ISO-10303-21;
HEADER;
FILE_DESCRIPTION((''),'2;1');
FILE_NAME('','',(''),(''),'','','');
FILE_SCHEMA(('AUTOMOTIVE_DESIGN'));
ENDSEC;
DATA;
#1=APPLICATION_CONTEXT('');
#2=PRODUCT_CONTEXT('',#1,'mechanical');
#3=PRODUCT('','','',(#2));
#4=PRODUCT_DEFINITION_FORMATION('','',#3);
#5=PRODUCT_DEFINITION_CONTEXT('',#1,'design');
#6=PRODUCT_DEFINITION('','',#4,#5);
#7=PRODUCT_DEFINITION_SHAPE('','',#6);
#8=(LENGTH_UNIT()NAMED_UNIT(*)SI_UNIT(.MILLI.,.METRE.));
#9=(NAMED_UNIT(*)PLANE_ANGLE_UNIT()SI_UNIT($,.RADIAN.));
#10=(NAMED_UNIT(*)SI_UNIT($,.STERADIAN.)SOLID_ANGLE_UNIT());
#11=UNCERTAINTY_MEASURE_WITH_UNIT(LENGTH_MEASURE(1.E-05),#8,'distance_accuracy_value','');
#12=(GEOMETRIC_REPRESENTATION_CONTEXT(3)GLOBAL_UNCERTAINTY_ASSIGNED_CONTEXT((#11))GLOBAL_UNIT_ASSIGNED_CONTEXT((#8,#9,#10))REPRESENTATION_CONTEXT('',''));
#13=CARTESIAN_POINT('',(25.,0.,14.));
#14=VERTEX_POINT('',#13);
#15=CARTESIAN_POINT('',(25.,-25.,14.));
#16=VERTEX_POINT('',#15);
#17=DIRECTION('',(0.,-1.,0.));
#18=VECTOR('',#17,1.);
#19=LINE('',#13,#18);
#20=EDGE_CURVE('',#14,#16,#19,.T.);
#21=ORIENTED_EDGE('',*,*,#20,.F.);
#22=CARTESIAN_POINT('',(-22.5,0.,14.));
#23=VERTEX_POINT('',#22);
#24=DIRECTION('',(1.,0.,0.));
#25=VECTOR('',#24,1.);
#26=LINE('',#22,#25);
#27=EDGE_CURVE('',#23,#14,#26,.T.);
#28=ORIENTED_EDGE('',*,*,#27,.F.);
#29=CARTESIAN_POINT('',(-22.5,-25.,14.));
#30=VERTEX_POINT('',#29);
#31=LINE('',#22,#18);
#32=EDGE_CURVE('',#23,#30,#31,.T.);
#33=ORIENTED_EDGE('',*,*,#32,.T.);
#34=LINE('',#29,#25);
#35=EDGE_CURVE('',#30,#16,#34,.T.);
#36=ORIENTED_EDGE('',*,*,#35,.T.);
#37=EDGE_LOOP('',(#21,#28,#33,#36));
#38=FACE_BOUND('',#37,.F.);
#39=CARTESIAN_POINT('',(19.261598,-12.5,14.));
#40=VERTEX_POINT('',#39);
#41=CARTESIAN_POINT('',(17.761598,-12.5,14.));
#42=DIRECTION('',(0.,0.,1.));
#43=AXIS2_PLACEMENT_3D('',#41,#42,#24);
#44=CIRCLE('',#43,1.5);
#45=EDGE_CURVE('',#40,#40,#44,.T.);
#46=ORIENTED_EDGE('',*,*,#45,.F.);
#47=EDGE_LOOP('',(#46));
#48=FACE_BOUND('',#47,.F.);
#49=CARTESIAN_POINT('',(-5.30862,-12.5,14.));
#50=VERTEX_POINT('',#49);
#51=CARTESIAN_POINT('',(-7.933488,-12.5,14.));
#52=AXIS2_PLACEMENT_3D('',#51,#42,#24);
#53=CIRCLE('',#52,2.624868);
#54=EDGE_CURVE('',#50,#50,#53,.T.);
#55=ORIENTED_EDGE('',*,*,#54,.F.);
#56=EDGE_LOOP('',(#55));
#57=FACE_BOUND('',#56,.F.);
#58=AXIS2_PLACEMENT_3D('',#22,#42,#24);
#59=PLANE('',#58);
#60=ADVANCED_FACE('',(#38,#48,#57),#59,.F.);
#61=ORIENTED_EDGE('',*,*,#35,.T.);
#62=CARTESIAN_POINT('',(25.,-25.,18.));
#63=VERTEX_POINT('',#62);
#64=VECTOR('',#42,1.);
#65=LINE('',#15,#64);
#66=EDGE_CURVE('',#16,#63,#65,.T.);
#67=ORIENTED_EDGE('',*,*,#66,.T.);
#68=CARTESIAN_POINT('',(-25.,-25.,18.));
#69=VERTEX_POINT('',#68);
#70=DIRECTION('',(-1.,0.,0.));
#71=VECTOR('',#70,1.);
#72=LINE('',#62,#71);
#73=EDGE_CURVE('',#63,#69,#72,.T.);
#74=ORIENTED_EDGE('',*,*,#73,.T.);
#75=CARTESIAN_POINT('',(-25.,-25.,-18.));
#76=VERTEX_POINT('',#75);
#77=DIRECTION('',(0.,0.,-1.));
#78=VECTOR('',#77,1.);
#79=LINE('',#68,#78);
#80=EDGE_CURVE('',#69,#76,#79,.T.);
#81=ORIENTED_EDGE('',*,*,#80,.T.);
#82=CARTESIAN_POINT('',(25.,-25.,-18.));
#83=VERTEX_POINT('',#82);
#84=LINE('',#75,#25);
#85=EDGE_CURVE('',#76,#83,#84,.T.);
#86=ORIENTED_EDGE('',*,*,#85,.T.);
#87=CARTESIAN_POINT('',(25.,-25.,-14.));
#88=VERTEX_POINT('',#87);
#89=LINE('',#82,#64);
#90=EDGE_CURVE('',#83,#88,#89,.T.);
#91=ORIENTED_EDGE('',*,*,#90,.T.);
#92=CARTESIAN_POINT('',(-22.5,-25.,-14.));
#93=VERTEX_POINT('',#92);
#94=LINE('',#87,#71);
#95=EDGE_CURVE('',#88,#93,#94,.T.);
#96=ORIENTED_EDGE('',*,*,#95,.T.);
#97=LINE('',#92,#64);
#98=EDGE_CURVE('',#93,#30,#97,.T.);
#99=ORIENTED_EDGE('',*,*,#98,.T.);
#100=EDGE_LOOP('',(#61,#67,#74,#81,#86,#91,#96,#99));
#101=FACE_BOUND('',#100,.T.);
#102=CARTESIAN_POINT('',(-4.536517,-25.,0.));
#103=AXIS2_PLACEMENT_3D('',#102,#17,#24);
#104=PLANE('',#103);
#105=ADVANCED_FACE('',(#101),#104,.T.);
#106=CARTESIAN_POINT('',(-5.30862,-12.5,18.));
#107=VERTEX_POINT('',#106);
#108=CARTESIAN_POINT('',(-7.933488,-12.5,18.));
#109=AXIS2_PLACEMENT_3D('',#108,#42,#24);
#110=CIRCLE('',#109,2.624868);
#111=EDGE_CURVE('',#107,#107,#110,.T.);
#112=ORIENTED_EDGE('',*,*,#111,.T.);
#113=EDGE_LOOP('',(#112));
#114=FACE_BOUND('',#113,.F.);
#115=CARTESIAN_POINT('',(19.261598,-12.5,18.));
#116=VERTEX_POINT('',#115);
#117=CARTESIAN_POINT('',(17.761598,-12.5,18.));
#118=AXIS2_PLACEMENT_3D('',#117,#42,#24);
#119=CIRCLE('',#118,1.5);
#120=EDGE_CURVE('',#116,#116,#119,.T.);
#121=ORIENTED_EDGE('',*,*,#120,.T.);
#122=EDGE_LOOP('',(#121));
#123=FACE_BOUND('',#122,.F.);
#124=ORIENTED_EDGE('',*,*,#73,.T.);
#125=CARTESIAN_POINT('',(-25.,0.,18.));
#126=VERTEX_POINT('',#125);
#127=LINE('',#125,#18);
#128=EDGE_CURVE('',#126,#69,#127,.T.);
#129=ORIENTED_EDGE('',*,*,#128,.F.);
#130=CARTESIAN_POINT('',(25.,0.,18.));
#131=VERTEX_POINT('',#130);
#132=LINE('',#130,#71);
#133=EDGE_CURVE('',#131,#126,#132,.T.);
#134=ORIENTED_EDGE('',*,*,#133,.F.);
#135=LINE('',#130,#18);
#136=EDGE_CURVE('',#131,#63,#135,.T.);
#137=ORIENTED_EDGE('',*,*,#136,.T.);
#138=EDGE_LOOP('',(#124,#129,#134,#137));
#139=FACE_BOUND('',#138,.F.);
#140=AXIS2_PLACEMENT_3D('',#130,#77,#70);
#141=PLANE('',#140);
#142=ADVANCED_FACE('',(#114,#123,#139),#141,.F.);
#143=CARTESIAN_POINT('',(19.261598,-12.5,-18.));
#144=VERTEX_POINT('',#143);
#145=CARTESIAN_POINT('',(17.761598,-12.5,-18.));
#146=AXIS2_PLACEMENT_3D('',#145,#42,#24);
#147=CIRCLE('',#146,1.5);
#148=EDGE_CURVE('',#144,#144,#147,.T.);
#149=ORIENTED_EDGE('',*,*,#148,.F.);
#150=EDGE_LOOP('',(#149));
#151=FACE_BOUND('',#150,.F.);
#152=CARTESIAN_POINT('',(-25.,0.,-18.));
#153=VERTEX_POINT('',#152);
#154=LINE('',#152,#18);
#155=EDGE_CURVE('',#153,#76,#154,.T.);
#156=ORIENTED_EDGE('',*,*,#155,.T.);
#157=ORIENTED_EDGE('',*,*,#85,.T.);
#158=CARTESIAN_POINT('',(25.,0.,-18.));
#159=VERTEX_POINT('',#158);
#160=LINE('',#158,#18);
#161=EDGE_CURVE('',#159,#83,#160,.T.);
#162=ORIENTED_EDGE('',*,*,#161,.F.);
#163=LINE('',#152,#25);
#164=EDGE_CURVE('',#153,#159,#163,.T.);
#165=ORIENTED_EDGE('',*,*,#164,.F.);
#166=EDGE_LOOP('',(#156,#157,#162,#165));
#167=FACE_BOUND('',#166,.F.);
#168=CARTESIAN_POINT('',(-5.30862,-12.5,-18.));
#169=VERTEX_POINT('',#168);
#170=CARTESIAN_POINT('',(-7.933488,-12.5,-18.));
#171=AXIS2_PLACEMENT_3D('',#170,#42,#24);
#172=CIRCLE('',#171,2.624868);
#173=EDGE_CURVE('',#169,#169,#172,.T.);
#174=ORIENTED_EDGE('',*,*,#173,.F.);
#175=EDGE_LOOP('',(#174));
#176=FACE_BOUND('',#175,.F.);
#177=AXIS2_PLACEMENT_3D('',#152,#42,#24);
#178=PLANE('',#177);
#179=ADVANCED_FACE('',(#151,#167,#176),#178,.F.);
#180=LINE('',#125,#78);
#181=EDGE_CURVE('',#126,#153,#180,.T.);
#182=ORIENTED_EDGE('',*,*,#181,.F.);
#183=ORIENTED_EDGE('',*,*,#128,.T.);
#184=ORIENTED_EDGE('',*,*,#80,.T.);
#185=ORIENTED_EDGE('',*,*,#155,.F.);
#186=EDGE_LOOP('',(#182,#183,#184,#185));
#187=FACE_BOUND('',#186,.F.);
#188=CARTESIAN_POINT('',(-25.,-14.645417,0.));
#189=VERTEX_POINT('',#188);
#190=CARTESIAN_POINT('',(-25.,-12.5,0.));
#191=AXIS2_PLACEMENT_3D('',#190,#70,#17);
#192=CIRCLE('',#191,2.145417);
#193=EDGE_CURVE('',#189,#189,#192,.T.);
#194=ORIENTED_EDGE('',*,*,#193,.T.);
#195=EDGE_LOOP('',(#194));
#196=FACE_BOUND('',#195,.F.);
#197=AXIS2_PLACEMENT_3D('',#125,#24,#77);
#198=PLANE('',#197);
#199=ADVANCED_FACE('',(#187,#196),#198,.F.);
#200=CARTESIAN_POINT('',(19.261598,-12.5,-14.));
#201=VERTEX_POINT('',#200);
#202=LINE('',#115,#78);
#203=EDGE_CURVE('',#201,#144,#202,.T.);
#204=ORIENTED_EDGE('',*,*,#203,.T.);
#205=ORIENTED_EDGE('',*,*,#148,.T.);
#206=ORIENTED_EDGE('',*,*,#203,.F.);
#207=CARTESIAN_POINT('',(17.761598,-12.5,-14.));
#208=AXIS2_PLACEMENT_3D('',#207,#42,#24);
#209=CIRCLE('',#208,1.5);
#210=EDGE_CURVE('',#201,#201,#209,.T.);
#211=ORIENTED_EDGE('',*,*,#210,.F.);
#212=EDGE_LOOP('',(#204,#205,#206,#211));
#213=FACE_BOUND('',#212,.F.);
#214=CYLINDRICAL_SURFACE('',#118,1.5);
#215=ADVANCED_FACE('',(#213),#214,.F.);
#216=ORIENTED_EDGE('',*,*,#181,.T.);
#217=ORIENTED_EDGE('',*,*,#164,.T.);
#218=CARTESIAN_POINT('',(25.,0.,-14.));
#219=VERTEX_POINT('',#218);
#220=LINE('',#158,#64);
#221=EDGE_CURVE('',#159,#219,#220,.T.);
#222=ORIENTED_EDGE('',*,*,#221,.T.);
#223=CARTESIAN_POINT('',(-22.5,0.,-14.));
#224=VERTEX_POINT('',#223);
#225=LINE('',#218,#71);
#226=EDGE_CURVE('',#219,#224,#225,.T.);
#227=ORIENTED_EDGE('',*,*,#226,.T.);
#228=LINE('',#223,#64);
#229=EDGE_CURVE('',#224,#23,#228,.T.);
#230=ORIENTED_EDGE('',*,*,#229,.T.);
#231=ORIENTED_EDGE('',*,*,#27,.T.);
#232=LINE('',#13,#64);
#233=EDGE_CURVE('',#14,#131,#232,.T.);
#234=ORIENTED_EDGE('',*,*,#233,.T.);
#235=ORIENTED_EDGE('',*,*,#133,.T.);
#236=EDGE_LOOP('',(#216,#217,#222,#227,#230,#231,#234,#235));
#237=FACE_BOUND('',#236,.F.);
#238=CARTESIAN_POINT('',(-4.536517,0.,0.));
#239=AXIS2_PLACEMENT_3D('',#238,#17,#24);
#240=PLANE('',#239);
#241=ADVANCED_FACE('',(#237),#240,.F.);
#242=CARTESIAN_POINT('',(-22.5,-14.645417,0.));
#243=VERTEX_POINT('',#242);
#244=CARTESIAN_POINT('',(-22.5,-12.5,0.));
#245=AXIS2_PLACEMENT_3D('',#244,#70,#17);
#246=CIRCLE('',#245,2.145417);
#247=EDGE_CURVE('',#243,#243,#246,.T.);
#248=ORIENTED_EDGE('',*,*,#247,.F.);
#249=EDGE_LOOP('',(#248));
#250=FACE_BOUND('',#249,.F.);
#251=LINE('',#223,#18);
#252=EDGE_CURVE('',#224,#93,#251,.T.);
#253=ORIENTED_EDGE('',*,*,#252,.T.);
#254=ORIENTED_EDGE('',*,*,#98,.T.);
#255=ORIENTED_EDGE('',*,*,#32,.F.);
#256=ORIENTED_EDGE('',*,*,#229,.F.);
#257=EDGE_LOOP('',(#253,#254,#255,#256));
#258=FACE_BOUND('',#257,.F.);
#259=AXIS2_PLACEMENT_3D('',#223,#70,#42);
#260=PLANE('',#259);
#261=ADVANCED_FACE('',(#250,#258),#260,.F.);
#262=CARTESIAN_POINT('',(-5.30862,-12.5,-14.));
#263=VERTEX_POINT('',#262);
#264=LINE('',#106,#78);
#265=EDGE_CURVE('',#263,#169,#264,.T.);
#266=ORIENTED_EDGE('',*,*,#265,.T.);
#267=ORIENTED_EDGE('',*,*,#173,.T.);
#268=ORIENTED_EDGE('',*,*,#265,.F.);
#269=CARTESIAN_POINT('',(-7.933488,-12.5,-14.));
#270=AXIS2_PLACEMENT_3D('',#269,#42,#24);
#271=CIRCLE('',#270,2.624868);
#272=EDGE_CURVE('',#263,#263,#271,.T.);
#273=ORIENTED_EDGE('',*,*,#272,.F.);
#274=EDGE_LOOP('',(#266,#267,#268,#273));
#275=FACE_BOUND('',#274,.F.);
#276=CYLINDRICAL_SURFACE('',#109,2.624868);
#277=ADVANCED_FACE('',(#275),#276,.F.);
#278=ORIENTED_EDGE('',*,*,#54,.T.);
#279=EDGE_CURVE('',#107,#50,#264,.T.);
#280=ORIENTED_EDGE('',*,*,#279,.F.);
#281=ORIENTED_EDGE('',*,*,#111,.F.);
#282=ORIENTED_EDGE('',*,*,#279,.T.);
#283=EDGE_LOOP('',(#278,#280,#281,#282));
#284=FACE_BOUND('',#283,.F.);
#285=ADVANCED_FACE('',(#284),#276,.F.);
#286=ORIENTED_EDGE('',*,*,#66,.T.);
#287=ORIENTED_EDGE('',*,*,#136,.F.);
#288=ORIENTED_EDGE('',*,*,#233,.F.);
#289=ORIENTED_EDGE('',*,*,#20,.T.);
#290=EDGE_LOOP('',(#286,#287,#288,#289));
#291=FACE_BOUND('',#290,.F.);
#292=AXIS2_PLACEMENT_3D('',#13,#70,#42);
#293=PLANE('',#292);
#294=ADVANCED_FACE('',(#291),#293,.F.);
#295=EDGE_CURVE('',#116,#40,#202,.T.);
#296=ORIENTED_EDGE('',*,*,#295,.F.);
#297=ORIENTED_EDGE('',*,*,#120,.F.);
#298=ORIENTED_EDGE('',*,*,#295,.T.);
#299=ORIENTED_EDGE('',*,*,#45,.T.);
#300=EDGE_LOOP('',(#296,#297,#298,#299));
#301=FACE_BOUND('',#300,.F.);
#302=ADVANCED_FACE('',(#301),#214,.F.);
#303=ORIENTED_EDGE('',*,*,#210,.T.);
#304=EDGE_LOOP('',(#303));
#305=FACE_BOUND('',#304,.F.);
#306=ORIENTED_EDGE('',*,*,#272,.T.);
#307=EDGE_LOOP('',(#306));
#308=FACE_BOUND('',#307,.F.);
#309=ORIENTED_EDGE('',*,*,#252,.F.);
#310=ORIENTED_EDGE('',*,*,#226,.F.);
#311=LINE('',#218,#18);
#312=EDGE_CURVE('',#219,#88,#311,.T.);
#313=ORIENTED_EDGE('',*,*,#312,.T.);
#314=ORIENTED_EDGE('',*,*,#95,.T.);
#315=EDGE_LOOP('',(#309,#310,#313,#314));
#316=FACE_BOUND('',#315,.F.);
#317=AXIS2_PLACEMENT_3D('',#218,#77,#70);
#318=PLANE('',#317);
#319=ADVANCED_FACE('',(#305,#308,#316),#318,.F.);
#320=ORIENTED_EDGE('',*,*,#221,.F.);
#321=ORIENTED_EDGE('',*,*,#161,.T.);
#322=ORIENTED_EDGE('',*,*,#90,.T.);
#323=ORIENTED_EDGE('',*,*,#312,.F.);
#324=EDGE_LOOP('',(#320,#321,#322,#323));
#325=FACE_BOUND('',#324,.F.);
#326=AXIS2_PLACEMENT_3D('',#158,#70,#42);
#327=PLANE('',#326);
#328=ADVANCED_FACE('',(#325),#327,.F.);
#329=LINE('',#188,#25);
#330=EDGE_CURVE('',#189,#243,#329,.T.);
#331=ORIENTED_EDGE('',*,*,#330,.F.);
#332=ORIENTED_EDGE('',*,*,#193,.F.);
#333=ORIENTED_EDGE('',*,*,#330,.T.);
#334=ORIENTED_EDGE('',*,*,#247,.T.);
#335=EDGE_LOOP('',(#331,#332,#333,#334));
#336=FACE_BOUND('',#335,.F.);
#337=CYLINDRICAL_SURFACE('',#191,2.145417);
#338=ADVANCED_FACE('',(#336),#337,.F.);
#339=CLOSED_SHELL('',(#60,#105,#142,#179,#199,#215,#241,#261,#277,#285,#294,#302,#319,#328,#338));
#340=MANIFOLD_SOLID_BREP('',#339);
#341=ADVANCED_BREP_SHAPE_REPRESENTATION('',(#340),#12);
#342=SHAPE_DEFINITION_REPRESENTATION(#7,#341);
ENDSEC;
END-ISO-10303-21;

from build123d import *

# Parameters (mm, degrees)
F1_DEPTH = 25
F2_R     = 1.5
F3_DEPTH = 36.001
F4_R     = 2.145417
F5_DEPTH = 50.001
F6_R     = 2.624868
F7_DEPTH = 36.001


with BuildPart() as f1:
    # F0 (on Front) → F1 (new body)
    with BuildSketch(Plane.XZ):
        Polygon((25, 18), (-25, 18), (-25, -18), (25, -18), (25, -14), (22.5, -14), (-22.5, -14), (-22.5, 14), (22.5, 14), (25, 14), align=None)
    extrude(amount=F1_DEPTH)

    # F2 (on face) → F3 (cut, through all)
    with BuildSketch(Plane.XY.offset(18)):
        with Locations((17.761598, -12.5)):
            Circle(F2_R)
    extrude(amount=-F3_DEPTH, mode=Mode.SUBTRACT)

    # F4 (on face) → F5 (cut, through all)
    with BuildSketch(Plane(origin=(-25, 0, 0), x_dir=(0, -1, 0), z_dir=(-1, 0, 0))):
        with Locations((12.5, 0)):
            Circle(F4_R)
    extrude(amount=-F5_DEPTH, mode=Mode.SUBTRACT)

    # F6 (on face) → F7 (cut, through all)
    with BuildSketch(Plane.XY.offset(18)):
        with Locations((-7.933488, -12.5)):
            Circle(F6_R)
    extrude(amount=-F7_DEPTH, mode=Mode.SUBTRACT)


solid = f1.part
